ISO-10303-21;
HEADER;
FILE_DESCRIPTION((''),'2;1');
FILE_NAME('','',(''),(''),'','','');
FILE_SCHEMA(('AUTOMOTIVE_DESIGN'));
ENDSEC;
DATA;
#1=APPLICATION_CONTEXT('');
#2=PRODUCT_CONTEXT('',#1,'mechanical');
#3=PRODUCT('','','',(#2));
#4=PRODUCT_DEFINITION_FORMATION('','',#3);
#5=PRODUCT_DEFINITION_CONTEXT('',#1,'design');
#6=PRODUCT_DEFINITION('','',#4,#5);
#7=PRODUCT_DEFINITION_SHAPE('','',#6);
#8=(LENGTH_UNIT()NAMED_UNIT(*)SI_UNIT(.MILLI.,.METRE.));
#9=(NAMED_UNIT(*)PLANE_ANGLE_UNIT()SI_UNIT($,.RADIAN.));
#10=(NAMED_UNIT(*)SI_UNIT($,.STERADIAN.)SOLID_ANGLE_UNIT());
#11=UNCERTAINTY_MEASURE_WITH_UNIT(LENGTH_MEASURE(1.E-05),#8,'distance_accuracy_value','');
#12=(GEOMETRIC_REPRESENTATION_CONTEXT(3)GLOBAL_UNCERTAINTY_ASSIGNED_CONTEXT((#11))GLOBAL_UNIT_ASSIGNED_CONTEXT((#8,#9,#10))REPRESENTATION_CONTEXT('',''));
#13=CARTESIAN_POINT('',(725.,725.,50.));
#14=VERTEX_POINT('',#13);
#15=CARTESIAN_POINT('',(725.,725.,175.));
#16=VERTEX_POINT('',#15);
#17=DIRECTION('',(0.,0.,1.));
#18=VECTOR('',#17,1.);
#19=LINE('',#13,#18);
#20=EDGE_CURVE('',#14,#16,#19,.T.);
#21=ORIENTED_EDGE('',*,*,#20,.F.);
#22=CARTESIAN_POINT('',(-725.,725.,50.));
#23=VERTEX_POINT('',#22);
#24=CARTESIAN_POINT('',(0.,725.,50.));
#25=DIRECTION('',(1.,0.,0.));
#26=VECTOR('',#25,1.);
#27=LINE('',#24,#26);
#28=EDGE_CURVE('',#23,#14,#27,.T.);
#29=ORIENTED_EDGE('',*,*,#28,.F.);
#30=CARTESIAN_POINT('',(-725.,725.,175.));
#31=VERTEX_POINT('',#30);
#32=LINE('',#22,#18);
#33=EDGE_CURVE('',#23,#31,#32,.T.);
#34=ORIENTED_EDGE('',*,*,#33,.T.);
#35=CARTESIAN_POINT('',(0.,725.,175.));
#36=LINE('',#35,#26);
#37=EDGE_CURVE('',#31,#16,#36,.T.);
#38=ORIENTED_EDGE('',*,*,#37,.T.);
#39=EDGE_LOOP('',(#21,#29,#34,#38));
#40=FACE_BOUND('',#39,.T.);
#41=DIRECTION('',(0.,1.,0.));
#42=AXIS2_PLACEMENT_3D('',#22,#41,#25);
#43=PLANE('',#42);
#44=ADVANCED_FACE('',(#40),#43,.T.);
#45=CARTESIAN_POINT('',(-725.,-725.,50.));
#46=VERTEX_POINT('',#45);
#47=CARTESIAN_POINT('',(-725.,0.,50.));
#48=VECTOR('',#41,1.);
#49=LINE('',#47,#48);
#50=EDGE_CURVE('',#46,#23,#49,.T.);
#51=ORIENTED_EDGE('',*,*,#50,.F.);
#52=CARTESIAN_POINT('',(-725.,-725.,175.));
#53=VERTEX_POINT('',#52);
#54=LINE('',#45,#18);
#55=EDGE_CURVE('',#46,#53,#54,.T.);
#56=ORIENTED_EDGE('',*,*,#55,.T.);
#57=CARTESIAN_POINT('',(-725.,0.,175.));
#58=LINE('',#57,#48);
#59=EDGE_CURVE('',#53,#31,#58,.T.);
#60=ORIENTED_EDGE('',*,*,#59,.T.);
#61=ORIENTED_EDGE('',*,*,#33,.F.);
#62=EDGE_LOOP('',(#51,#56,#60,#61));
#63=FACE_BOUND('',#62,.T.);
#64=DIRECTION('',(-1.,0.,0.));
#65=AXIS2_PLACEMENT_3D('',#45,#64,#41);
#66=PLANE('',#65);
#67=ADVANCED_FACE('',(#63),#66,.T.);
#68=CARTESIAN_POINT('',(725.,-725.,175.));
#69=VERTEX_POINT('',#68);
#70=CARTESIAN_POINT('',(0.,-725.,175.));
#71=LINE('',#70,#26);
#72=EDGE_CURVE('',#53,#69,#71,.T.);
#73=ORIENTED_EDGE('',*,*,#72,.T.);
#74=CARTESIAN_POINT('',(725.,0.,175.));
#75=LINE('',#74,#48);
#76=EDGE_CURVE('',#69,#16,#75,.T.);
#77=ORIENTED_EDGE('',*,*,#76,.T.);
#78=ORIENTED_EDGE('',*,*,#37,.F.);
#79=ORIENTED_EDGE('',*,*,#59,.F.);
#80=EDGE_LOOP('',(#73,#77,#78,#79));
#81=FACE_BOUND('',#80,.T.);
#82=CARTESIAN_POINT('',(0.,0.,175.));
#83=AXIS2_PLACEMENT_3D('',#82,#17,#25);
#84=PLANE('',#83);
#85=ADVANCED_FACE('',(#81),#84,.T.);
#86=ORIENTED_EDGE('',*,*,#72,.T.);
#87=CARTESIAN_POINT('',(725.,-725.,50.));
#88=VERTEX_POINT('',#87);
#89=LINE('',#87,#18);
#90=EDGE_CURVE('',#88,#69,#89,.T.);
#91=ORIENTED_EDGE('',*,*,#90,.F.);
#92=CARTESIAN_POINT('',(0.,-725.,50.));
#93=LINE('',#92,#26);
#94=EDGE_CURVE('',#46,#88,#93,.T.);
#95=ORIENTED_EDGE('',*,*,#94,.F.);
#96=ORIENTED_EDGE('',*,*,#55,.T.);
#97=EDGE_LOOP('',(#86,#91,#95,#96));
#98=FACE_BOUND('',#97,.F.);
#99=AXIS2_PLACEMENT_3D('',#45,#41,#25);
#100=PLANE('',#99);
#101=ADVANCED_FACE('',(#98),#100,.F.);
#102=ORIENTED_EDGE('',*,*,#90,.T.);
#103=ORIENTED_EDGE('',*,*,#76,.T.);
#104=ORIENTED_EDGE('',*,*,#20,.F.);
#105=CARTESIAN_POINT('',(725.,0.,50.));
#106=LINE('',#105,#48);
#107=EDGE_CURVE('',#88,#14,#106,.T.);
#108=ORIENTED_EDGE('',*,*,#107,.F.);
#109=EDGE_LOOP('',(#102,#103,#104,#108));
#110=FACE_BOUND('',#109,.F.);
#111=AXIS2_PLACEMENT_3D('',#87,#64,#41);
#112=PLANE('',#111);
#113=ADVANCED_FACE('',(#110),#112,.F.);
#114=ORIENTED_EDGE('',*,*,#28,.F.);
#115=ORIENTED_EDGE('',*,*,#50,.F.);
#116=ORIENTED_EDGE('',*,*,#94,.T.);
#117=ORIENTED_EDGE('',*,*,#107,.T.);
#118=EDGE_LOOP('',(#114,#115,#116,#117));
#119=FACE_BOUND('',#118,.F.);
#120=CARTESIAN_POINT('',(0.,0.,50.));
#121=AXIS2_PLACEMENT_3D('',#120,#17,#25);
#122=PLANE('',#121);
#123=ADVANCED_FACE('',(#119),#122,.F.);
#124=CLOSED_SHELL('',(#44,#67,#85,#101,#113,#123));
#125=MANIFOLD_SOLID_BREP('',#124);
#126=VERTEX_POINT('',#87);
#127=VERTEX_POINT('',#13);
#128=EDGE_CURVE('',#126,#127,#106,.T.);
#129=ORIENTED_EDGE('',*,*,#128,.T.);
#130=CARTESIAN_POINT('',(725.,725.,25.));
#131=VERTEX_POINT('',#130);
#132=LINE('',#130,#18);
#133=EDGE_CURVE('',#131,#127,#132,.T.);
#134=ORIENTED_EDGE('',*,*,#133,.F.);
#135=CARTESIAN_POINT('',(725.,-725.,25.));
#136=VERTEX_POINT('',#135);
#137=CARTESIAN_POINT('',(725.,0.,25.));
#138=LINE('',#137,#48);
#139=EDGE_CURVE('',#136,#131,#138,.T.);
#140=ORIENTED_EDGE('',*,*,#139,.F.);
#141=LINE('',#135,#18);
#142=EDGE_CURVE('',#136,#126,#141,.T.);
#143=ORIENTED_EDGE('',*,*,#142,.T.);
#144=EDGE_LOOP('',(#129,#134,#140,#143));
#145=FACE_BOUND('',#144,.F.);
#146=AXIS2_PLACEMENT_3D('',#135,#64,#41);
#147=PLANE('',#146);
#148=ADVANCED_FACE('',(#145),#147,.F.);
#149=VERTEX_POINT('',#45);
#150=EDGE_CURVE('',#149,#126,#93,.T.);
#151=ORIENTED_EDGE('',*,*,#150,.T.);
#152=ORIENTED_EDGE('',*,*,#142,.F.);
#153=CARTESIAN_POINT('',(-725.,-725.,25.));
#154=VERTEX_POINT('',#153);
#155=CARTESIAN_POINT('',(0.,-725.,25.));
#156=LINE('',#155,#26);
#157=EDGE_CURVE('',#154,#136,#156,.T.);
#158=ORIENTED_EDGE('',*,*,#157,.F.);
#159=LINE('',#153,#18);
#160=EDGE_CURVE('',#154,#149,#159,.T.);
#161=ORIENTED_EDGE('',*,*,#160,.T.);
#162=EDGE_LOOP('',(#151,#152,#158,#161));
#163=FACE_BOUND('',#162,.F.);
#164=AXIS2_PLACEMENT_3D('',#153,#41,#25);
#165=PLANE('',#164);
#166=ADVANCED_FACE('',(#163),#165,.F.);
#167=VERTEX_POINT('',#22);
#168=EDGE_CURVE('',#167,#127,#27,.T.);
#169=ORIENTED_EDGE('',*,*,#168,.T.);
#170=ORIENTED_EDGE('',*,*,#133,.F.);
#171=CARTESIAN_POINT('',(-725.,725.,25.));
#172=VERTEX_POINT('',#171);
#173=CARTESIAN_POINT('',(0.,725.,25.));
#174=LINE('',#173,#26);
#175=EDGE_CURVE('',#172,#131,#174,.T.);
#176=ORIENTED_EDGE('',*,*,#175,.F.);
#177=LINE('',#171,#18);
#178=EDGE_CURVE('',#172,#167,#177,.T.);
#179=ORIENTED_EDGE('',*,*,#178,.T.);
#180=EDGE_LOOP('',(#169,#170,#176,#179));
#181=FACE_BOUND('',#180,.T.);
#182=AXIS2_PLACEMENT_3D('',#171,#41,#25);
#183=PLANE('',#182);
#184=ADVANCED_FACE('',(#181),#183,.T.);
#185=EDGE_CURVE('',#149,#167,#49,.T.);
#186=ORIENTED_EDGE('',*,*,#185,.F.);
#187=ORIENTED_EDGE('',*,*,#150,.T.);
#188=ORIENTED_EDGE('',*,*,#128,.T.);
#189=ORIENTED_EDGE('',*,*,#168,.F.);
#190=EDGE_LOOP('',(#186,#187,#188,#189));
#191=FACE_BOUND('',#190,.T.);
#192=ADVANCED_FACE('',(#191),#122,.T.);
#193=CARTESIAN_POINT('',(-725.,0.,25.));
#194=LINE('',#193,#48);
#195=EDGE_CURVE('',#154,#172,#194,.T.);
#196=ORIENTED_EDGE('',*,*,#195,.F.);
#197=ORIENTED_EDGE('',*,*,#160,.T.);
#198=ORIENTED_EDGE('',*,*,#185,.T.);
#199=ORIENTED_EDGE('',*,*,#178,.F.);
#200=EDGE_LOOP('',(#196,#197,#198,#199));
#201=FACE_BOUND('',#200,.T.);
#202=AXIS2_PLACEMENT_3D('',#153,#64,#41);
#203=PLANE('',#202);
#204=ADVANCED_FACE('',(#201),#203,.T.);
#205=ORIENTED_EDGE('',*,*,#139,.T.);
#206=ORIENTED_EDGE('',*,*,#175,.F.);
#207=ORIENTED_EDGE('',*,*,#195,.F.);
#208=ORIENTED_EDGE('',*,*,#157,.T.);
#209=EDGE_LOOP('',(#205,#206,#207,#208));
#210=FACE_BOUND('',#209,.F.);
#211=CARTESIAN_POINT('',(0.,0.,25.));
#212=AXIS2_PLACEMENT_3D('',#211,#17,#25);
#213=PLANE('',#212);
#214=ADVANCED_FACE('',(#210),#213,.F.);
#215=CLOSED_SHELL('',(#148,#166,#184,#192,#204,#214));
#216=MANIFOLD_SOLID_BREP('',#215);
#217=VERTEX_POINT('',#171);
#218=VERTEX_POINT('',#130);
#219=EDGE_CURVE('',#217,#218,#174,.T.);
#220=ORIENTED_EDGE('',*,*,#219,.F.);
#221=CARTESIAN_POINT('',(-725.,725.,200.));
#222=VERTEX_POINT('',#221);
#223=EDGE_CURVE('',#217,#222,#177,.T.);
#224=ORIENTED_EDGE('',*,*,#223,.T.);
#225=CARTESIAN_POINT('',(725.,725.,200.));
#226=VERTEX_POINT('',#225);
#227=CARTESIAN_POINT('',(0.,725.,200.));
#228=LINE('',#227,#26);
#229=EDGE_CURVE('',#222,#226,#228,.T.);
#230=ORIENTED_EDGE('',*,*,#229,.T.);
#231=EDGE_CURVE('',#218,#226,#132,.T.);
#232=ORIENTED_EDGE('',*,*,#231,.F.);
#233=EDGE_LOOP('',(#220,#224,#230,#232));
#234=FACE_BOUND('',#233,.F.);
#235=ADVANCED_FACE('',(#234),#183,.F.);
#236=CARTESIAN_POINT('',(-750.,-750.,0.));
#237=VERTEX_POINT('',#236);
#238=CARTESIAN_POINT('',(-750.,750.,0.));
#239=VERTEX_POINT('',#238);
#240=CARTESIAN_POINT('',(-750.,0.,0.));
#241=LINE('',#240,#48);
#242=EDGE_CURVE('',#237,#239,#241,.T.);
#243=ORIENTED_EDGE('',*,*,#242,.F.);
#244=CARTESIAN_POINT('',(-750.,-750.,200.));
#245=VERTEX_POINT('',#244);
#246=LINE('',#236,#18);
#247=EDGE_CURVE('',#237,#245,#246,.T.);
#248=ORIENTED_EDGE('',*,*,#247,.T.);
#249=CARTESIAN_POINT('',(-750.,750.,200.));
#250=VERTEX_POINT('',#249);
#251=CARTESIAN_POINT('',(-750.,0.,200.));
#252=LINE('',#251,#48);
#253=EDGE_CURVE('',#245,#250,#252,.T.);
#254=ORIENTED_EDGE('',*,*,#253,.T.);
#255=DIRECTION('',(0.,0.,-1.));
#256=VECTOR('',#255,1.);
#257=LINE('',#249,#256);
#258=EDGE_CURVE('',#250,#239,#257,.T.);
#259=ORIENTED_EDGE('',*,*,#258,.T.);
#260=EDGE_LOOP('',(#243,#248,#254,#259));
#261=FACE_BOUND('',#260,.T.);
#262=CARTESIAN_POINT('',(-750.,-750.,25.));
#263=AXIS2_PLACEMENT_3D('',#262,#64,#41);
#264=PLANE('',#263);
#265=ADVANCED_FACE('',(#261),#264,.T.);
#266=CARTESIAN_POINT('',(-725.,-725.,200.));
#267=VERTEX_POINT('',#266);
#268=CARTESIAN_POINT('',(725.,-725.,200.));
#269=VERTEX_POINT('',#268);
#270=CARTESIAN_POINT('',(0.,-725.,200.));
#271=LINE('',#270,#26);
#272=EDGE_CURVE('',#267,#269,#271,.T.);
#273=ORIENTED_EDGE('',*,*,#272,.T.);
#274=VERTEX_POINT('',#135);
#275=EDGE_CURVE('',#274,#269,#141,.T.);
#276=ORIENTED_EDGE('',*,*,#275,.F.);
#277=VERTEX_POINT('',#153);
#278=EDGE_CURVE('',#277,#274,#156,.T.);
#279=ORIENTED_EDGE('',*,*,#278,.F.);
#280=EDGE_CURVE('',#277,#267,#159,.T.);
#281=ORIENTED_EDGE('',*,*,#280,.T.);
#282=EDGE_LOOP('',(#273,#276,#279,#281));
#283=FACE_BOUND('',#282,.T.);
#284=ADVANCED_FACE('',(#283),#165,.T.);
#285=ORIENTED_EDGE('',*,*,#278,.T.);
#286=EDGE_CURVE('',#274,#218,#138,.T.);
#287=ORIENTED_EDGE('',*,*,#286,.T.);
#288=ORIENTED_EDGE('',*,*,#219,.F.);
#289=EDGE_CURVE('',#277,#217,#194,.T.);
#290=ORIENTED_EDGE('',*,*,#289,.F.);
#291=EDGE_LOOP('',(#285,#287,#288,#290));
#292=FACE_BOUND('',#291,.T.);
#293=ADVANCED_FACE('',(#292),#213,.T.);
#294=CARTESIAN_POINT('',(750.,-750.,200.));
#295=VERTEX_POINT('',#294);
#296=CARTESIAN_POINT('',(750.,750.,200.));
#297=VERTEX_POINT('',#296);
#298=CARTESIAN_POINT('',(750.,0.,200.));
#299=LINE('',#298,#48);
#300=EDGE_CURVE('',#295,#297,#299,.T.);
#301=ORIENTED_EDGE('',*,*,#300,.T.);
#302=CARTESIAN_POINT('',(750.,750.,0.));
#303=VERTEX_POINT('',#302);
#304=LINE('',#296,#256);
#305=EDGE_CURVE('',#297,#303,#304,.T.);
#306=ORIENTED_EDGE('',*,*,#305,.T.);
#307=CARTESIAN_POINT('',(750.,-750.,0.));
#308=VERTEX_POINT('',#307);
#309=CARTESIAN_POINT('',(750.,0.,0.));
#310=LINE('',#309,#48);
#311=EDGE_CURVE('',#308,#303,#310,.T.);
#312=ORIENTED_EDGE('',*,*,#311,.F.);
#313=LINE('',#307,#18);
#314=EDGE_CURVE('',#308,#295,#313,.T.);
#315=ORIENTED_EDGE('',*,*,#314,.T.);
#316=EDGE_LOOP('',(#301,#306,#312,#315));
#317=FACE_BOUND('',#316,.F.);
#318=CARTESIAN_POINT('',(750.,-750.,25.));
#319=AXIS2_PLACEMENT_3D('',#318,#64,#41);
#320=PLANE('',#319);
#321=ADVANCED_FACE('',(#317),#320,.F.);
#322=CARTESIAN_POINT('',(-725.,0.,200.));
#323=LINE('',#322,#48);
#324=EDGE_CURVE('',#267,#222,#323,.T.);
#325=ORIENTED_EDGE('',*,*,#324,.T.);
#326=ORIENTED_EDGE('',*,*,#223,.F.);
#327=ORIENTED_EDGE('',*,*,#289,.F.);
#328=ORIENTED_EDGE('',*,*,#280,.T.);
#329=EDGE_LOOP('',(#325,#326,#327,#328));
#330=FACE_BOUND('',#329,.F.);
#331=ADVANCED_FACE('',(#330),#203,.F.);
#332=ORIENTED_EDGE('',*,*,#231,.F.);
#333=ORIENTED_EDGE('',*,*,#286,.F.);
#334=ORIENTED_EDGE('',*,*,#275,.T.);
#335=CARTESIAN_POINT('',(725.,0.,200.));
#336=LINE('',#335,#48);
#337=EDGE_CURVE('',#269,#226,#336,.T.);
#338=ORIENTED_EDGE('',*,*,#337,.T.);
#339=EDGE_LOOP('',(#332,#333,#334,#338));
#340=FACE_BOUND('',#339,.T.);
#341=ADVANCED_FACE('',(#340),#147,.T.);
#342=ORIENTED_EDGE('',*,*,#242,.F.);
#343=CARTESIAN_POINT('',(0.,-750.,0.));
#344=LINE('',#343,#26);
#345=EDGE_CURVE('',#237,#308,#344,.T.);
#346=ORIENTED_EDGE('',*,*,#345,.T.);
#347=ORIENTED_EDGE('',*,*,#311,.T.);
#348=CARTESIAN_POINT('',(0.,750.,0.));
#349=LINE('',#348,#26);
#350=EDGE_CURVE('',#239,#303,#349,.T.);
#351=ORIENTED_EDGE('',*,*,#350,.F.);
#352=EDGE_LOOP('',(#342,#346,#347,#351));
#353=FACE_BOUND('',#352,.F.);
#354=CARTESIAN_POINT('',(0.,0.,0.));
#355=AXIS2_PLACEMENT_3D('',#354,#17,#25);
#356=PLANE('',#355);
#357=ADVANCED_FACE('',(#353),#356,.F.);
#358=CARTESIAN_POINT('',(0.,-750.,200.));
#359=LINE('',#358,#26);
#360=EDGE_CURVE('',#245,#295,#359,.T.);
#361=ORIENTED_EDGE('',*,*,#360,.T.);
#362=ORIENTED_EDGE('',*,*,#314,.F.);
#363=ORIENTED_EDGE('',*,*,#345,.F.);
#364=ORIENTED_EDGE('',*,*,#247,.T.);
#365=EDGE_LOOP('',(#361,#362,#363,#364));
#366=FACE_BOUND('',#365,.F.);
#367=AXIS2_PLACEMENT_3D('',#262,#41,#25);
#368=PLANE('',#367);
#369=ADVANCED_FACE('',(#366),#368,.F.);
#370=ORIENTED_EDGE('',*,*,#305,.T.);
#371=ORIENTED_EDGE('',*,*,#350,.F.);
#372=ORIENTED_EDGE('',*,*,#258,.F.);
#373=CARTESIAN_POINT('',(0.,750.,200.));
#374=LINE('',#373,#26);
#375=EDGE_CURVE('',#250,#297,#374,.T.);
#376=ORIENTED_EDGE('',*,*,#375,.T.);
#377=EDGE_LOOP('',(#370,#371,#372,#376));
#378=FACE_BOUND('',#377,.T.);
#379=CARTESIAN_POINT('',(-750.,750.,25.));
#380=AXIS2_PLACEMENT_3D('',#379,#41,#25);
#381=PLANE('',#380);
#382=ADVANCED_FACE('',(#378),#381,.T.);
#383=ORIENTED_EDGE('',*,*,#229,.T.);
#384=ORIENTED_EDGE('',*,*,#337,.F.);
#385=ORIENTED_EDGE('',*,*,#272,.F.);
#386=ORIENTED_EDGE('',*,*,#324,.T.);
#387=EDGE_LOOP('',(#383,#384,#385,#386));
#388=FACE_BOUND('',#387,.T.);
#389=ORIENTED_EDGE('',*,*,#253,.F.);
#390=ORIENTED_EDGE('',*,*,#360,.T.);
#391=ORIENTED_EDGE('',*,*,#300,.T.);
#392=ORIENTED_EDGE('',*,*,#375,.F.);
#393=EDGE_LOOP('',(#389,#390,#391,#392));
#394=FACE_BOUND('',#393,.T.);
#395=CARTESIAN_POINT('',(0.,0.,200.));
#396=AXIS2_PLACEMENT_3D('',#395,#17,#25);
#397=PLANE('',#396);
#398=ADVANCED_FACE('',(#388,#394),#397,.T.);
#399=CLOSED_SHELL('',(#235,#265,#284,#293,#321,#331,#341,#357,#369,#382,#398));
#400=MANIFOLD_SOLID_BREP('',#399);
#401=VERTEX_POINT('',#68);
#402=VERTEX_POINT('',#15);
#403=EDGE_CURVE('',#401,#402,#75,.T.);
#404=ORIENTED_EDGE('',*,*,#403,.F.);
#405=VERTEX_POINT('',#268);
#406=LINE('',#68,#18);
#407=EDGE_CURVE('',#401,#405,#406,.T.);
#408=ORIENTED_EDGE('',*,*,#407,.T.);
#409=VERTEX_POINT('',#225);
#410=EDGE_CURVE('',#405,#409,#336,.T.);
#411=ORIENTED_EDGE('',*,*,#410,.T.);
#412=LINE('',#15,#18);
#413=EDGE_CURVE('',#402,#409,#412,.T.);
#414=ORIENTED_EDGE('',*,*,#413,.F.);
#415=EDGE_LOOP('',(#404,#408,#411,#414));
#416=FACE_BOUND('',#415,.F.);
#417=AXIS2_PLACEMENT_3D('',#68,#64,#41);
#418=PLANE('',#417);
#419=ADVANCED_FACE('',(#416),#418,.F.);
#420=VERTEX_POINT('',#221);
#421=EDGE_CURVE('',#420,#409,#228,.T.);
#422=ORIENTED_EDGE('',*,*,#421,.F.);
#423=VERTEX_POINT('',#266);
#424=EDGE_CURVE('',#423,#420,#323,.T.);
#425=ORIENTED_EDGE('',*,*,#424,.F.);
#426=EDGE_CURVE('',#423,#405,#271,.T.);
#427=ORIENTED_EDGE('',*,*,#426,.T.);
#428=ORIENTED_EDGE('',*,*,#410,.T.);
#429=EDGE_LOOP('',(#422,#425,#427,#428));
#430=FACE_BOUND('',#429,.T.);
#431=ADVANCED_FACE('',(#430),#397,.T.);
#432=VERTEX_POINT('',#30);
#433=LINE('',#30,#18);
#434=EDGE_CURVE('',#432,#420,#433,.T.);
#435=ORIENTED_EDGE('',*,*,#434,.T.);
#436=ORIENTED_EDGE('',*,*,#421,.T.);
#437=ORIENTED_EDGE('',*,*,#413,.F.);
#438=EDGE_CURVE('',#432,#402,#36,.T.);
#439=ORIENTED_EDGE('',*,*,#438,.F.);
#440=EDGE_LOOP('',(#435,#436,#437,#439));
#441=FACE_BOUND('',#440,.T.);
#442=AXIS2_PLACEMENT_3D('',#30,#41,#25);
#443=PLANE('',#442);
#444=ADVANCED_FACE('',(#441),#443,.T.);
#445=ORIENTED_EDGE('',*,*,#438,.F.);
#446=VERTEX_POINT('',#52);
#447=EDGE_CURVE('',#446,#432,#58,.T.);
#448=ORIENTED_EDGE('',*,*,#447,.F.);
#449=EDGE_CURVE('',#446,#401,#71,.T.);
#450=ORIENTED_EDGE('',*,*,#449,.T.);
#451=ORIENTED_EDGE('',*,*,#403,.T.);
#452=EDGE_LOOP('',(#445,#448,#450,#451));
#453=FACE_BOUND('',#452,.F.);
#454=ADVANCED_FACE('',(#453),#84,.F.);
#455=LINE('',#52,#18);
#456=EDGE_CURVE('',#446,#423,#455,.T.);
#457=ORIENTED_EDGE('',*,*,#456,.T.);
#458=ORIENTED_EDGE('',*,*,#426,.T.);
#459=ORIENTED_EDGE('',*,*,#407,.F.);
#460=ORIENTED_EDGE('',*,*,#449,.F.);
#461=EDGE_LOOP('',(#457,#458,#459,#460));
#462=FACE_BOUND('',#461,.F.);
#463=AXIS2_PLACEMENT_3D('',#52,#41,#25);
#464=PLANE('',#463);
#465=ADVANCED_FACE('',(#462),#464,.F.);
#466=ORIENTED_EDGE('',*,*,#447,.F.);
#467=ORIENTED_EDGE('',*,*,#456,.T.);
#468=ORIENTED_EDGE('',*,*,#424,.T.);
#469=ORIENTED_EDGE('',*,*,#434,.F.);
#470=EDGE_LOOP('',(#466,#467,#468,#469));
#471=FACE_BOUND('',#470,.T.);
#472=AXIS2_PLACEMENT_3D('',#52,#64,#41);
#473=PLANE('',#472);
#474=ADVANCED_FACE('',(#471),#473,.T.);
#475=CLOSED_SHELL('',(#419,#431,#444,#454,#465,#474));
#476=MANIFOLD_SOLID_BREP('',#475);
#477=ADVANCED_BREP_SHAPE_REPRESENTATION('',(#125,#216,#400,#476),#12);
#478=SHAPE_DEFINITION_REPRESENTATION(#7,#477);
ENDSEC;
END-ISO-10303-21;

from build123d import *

# Parameters (mm, degrees)
F0_W     = 1500
F0_H     = 1500
F1_DEPTH = 25
F2_W     = 1500
F2_H     = 1500
F2_W_2   = 1450
F2_H_2   = 1450
F3_DEPTH = 175
F4_DEPTH = 25
F5_DEPTH = 125
F6_DEPTH = 25


with BuildPart() as f1:
    # F0 (on Top) → F1 (new body)
    with BuildSketch(Plane.XY):
        Rectangle(F0_W, F0_H)
    extrude(amount=F1_DEPTH)

    # F2 (on face) → F3 (join)
    with BuildSketch(Plane.XY.offset(25)):
        Rectangle(F2_W, F2_H)
        Rectangle(F2_W_2, F2_H_2, mode=Mode.SUBTRACT)
    extrude(amount=F3_DEPTH)


with BuildPart() as f4:
    # F4 (new): a face of the model
    f4_faces = [f1.part.faces().sort_by_distance(p)[0] for p in [
        (0, 0, 25),
    ]]
    extrude(f4_faces, amount=F4_DEPTH)


with BuildPart() as f5:
    # F5 (new): a face of the model
    f5_faces = [f4.part.faces().sort_by_distance(p)[0] for p in [
        (0, 0, 50),
    ]]
    extrude(f5_faces, amount=F5_DEPTH)


with BuildPart() as f6:
    # F6 (new): a face of the model
    f6_faces = [f5.part.faces().sort_by_distance(p)[0] for p in [
        (0, 0, 175),
    ]]
    extrude(f6_faces, amount=F6_DEPTH)


solid = Compound([f1.part, f4.part, f5.part, f6.part])
